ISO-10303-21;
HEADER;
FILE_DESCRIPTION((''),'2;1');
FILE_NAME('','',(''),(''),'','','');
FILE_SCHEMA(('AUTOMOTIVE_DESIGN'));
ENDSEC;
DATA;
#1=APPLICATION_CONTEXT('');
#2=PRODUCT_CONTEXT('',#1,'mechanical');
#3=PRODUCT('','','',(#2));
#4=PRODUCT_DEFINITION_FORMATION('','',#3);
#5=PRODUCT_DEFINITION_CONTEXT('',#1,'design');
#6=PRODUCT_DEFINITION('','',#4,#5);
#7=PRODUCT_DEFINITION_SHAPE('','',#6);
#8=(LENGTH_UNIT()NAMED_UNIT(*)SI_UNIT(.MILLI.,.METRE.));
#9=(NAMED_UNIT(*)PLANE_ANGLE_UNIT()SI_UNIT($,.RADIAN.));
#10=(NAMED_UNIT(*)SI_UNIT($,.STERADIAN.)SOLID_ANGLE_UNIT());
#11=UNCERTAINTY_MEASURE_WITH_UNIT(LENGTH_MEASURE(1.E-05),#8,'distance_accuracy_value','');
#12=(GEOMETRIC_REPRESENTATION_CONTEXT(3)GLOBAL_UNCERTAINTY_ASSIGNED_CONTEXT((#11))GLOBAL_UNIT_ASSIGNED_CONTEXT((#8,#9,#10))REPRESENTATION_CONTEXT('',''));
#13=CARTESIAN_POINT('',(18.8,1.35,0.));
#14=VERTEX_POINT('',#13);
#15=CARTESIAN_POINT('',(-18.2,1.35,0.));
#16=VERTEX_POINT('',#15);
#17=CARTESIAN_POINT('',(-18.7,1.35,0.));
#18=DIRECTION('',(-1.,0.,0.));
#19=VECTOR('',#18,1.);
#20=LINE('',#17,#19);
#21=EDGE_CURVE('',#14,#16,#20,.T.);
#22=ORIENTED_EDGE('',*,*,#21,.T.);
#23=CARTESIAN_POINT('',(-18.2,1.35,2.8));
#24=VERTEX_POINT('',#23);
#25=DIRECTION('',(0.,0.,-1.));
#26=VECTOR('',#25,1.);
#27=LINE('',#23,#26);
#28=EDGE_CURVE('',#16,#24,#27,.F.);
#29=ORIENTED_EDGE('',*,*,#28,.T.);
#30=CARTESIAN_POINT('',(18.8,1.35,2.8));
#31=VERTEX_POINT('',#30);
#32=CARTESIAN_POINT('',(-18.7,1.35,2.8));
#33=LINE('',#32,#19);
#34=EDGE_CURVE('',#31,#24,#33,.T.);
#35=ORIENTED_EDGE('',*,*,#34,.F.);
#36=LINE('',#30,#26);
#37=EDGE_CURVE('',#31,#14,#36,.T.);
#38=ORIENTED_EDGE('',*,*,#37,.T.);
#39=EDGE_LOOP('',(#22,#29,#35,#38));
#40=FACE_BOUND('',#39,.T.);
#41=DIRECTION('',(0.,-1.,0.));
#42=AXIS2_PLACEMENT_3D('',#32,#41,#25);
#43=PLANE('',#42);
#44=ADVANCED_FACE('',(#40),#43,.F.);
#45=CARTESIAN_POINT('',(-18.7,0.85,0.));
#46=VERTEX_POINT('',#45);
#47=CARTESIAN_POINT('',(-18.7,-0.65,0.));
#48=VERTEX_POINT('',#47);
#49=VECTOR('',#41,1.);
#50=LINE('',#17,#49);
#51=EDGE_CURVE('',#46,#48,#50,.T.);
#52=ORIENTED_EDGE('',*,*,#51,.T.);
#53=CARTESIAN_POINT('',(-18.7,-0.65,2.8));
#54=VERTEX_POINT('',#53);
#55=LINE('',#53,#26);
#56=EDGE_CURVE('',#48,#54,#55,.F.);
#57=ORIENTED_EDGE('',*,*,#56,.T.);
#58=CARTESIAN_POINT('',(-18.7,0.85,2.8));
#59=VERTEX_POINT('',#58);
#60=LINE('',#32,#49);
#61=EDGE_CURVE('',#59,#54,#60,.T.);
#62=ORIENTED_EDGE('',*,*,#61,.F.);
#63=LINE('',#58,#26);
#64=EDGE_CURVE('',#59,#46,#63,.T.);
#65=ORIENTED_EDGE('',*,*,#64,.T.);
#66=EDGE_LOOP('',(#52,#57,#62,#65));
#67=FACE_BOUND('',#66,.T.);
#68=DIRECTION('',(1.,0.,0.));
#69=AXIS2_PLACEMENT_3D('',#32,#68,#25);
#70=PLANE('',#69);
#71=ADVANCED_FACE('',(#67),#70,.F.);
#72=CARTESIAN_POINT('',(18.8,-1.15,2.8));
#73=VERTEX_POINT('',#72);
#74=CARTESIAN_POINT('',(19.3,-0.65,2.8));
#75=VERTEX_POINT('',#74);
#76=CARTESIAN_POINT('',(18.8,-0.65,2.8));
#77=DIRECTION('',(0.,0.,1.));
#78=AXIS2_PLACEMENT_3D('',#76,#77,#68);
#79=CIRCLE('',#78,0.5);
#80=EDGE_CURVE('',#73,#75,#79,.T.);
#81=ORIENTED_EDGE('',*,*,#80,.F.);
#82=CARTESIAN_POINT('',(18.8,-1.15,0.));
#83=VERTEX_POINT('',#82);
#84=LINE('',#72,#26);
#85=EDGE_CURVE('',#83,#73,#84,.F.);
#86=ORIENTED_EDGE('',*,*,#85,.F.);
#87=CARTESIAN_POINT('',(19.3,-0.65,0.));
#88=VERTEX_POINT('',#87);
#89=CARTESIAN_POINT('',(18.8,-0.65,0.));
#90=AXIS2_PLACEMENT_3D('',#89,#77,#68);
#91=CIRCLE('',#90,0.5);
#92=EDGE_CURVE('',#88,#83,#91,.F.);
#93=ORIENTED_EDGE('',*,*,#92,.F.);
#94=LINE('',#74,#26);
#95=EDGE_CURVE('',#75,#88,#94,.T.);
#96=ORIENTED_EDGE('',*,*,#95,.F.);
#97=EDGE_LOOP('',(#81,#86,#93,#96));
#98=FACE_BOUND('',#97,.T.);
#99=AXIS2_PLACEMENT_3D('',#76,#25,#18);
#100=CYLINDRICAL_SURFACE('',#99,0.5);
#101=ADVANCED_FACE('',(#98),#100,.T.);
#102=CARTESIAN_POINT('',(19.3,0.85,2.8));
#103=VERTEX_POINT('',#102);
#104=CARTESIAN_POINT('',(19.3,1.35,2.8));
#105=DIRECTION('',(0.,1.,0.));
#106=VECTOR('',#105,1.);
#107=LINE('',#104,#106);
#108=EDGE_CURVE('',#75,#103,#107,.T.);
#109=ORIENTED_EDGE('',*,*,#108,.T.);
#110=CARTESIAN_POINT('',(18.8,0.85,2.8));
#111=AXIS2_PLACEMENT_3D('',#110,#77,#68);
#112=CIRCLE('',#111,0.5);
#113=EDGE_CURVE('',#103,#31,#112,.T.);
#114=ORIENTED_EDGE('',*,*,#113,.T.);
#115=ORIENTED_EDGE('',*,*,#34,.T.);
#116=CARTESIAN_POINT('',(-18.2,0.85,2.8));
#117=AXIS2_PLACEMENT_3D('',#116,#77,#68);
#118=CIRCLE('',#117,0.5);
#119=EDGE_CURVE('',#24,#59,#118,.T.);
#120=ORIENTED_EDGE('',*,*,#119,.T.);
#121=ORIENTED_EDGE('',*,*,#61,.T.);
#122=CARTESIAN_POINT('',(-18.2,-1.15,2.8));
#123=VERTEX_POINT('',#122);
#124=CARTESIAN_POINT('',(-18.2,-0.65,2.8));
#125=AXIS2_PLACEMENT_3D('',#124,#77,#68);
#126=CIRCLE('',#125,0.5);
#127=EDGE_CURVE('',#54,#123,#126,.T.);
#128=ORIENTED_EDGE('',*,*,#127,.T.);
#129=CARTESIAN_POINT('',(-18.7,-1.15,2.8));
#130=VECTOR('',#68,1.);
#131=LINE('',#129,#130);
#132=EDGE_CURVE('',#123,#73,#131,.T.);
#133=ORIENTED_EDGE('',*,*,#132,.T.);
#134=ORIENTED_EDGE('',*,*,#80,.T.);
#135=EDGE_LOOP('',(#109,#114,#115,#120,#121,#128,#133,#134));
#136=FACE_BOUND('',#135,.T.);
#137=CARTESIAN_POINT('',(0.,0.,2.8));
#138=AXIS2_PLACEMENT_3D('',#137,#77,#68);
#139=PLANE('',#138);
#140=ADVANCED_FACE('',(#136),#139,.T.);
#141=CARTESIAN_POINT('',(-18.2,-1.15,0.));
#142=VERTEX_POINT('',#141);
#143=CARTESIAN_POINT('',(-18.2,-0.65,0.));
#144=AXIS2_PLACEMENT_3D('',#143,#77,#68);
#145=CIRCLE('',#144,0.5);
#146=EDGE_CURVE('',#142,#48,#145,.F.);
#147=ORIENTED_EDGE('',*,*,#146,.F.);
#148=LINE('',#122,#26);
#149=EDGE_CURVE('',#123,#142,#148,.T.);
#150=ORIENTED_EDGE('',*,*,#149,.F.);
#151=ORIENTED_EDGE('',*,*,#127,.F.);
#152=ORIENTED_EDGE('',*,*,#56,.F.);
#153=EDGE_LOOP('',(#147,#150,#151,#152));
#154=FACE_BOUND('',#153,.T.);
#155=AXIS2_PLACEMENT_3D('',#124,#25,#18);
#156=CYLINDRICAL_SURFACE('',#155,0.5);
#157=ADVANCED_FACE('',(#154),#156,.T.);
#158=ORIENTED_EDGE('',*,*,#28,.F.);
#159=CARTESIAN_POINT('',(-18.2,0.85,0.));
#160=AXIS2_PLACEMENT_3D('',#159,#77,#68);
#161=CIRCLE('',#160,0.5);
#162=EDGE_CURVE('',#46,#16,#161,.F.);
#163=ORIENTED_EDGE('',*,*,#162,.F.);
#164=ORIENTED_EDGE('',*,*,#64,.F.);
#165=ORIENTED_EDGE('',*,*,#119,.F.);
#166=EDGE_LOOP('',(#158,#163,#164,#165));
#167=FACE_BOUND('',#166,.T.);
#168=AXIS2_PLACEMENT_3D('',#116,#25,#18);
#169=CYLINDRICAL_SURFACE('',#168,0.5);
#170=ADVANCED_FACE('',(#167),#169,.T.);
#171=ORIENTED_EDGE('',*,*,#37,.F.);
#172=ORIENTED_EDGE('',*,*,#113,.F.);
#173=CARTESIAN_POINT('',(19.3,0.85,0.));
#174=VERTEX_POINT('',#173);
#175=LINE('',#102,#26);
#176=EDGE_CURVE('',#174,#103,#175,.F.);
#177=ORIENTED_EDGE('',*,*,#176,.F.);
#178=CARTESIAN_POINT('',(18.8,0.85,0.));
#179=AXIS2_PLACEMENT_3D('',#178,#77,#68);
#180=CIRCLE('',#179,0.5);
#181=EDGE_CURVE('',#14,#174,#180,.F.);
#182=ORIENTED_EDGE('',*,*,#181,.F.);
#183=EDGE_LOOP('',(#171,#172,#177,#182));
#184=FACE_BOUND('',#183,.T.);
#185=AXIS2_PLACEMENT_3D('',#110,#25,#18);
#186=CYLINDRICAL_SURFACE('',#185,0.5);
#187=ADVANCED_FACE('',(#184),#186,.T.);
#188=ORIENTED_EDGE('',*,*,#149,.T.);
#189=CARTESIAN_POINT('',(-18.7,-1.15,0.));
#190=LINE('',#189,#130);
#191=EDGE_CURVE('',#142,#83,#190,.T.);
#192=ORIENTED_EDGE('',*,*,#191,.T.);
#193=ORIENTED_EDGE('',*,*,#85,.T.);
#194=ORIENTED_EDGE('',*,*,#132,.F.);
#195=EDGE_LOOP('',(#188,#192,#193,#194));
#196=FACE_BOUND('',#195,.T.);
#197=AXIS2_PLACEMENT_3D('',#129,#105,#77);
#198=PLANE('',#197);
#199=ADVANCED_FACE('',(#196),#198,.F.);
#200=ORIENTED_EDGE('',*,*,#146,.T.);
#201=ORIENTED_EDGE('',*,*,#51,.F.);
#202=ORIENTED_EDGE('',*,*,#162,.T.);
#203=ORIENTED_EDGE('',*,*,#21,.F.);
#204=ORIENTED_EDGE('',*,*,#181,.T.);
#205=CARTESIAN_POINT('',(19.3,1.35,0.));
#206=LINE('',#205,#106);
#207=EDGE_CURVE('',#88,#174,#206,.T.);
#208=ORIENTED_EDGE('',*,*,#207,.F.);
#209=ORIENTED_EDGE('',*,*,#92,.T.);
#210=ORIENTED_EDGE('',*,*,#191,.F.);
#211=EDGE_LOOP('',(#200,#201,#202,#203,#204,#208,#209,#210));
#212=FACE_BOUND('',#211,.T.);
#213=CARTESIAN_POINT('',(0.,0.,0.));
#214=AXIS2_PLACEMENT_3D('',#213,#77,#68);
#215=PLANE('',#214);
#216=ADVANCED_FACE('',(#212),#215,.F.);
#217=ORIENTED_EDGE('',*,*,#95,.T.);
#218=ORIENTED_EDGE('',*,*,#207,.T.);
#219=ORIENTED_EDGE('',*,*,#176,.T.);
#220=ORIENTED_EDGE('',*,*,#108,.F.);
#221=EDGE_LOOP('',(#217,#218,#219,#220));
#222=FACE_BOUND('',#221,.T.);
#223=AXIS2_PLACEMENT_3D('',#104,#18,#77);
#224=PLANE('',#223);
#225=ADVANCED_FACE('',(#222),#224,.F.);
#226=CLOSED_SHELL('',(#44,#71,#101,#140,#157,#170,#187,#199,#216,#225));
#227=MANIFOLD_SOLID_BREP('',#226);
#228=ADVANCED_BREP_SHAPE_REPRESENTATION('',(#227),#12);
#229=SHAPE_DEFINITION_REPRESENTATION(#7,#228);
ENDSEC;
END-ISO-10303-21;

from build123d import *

# Parameters (mm, degrees)
SKETCH_1_W      = 38
SKETCH_1_H      = 2.5
EXTRUDE_1_DEPTH = 2.8
FILLET_1_R      = 0.5


with BuildPart() as part:
    # Эскиз1 → Бобышка-Вытянуть1 (new body)
    with BuildSketch(Plane.XY):
        with Locations((0.3, 0.1)):
            Rectangle(SKETCH_1_W, SKETCH_1_H)
    extrude(amount=EXTRUDE_1_DEPTH)

    # Скругление1
    fillet_1_edges = [part.edges().sort_by_distance(p)[0] for p in [
        (-18.7, 1.35, 1.4),
        (19.3, 1.35, 1.4),
        (19.3, -1.15, 1.4),
        (-18.7, -1.15, 1.4),
    ]]
    fillet(fillet_1_edges, radius=FILLET_1_R)


solid = part.part
